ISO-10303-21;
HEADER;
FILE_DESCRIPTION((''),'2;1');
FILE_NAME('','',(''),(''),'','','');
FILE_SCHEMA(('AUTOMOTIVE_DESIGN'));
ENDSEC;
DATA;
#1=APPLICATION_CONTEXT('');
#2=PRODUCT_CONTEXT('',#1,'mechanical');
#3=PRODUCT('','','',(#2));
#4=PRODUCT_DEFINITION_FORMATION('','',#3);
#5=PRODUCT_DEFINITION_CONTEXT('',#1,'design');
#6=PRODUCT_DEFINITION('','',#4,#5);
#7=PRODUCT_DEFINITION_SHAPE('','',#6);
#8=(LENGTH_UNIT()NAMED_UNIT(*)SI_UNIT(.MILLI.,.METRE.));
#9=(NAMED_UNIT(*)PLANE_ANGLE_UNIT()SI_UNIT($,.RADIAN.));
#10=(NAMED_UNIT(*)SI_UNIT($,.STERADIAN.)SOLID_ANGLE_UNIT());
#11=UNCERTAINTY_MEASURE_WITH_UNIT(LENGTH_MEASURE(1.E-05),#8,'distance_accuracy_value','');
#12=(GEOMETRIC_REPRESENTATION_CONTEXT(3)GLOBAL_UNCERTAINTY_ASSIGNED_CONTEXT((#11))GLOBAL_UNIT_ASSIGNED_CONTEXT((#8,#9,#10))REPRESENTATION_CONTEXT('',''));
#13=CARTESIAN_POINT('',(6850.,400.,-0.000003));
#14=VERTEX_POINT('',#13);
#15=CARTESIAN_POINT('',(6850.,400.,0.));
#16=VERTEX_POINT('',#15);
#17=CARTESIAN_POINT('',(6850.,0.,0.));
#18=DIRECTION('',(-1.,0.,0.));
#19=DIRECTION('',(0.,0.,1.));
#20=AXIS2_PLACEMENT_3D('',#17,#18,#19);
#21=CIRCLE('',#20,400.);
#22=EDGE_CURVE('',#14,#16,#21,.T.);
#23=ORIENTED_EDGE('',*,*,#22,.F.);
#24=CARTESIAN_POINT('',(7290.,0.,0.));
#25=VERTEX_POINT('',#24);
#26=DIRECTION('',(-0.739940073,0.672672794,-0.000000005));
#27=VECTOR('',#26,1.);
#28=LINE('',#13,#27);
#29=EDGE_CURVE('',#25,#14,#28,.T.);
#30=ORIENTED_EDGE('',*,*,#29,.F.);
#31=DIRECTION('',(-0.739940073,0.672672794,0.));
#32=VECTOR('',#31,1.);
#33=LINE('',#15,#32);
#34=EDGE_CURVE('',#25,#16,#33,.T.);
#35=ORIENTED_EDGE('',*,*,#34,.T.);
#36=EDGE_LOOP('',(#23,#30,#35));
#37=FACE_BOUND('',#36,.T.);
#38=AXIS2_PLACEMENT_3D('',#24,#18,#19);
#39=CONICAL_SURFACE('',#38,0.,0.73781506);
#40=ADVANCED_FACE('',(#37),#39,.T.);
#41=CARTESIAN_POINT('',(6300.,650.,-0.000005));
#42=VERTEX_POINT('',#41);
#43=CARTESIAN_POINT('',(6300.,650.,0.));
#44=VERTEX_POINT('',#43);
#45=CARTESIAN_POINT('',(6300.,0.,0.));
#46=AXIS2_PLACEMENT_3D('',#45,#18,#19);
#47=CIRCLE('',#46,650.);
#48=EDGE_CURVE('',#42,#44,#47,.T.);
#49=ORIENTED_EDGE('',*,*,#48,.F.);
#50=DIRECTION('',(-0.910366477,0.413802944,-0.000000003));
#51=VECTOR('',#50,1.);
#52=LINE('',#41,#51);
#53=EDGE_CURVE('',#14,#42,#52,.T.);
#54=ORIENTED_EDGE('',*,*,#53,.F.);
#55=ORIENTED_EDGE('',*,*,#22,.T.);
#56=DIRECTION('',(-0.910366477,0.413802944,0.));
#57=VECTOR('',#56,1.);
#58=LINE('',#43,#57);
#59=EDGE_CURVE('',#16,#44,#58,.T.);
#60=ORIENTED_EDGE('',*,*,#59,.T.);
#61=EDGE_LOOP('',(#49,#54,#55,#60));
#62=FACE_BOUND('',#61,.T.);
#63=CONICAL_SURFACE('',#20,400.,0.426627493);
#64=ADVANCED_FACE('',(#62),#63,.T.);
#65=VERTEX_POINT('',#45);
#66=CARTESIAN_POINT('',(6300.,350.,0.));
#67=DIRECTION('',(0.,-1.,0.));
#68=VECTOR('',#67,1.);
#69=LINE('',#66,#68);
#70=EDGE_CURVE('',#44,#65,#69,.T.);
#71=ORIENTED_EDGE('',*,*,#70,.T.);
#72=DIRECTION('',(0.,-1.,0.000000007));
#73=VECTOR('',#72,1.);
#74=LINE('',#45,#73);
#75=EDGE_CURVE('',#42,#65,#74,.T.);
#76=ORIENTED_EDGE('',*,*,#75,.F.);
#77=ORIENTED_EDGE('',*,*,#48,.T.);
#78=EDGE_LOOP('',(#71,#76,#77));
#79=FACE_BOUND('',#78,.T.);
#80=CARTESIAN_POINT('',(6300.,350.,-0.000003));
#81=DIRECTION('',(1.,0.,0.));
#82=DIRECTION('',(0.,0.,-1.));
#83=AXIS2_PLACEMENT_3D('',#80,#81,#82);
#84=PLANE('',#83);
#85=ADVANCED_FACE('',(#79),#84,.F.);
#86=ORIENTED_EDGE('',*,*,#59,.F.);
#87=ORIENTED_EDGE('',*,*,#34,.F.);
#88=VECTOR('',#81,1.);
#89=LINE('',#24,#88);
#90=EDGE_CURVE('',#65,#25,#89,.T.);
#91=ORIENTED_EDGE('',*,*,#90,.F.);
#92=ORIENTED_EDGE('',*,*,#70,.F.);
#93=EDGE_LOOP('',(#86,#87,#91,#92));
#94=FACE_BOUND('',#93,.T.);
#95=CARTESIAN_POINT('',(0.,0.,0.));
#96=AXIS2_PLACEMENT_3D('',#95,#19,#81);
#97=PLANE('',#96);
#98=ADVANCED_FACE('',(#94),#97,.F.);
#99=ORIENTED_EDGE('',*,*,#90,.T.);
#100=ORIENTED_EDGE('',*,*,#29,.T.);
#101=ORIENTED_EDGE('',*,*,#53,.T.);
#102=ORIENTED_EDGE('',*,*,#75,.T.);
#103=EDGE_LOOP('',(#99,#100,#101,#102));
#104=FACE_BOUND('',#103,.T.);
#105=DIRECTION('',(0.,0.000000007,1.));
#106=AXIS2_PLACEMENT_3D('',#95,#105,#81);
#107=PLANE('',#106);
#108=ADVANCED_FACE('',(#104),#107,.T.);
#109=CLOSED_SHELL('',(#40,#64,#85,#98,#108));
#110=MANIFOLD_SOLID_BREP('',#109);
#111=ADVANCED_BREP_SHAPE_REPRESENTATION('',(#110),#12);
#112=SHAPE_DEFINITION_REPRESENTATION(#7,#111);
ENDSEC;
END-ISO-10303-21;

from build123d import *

# Parameters (mm, degrees)
REVOLVE1_ANGLE = 359.999999589


with BuildPart() as part:
    # Sketch1 → Revolve1 (revolve)
    with BuildSketch(Plane.XY):
        Polygon((6300, 350), (6300, 650), (6850, 400), (7290, 0), (6300, 0), align=None)
    revolve(axis=Axis((0, 0, 0), (1, 0, 0)), revolution_arc=REVOLVE1_ANGLE)


solid = part.part
